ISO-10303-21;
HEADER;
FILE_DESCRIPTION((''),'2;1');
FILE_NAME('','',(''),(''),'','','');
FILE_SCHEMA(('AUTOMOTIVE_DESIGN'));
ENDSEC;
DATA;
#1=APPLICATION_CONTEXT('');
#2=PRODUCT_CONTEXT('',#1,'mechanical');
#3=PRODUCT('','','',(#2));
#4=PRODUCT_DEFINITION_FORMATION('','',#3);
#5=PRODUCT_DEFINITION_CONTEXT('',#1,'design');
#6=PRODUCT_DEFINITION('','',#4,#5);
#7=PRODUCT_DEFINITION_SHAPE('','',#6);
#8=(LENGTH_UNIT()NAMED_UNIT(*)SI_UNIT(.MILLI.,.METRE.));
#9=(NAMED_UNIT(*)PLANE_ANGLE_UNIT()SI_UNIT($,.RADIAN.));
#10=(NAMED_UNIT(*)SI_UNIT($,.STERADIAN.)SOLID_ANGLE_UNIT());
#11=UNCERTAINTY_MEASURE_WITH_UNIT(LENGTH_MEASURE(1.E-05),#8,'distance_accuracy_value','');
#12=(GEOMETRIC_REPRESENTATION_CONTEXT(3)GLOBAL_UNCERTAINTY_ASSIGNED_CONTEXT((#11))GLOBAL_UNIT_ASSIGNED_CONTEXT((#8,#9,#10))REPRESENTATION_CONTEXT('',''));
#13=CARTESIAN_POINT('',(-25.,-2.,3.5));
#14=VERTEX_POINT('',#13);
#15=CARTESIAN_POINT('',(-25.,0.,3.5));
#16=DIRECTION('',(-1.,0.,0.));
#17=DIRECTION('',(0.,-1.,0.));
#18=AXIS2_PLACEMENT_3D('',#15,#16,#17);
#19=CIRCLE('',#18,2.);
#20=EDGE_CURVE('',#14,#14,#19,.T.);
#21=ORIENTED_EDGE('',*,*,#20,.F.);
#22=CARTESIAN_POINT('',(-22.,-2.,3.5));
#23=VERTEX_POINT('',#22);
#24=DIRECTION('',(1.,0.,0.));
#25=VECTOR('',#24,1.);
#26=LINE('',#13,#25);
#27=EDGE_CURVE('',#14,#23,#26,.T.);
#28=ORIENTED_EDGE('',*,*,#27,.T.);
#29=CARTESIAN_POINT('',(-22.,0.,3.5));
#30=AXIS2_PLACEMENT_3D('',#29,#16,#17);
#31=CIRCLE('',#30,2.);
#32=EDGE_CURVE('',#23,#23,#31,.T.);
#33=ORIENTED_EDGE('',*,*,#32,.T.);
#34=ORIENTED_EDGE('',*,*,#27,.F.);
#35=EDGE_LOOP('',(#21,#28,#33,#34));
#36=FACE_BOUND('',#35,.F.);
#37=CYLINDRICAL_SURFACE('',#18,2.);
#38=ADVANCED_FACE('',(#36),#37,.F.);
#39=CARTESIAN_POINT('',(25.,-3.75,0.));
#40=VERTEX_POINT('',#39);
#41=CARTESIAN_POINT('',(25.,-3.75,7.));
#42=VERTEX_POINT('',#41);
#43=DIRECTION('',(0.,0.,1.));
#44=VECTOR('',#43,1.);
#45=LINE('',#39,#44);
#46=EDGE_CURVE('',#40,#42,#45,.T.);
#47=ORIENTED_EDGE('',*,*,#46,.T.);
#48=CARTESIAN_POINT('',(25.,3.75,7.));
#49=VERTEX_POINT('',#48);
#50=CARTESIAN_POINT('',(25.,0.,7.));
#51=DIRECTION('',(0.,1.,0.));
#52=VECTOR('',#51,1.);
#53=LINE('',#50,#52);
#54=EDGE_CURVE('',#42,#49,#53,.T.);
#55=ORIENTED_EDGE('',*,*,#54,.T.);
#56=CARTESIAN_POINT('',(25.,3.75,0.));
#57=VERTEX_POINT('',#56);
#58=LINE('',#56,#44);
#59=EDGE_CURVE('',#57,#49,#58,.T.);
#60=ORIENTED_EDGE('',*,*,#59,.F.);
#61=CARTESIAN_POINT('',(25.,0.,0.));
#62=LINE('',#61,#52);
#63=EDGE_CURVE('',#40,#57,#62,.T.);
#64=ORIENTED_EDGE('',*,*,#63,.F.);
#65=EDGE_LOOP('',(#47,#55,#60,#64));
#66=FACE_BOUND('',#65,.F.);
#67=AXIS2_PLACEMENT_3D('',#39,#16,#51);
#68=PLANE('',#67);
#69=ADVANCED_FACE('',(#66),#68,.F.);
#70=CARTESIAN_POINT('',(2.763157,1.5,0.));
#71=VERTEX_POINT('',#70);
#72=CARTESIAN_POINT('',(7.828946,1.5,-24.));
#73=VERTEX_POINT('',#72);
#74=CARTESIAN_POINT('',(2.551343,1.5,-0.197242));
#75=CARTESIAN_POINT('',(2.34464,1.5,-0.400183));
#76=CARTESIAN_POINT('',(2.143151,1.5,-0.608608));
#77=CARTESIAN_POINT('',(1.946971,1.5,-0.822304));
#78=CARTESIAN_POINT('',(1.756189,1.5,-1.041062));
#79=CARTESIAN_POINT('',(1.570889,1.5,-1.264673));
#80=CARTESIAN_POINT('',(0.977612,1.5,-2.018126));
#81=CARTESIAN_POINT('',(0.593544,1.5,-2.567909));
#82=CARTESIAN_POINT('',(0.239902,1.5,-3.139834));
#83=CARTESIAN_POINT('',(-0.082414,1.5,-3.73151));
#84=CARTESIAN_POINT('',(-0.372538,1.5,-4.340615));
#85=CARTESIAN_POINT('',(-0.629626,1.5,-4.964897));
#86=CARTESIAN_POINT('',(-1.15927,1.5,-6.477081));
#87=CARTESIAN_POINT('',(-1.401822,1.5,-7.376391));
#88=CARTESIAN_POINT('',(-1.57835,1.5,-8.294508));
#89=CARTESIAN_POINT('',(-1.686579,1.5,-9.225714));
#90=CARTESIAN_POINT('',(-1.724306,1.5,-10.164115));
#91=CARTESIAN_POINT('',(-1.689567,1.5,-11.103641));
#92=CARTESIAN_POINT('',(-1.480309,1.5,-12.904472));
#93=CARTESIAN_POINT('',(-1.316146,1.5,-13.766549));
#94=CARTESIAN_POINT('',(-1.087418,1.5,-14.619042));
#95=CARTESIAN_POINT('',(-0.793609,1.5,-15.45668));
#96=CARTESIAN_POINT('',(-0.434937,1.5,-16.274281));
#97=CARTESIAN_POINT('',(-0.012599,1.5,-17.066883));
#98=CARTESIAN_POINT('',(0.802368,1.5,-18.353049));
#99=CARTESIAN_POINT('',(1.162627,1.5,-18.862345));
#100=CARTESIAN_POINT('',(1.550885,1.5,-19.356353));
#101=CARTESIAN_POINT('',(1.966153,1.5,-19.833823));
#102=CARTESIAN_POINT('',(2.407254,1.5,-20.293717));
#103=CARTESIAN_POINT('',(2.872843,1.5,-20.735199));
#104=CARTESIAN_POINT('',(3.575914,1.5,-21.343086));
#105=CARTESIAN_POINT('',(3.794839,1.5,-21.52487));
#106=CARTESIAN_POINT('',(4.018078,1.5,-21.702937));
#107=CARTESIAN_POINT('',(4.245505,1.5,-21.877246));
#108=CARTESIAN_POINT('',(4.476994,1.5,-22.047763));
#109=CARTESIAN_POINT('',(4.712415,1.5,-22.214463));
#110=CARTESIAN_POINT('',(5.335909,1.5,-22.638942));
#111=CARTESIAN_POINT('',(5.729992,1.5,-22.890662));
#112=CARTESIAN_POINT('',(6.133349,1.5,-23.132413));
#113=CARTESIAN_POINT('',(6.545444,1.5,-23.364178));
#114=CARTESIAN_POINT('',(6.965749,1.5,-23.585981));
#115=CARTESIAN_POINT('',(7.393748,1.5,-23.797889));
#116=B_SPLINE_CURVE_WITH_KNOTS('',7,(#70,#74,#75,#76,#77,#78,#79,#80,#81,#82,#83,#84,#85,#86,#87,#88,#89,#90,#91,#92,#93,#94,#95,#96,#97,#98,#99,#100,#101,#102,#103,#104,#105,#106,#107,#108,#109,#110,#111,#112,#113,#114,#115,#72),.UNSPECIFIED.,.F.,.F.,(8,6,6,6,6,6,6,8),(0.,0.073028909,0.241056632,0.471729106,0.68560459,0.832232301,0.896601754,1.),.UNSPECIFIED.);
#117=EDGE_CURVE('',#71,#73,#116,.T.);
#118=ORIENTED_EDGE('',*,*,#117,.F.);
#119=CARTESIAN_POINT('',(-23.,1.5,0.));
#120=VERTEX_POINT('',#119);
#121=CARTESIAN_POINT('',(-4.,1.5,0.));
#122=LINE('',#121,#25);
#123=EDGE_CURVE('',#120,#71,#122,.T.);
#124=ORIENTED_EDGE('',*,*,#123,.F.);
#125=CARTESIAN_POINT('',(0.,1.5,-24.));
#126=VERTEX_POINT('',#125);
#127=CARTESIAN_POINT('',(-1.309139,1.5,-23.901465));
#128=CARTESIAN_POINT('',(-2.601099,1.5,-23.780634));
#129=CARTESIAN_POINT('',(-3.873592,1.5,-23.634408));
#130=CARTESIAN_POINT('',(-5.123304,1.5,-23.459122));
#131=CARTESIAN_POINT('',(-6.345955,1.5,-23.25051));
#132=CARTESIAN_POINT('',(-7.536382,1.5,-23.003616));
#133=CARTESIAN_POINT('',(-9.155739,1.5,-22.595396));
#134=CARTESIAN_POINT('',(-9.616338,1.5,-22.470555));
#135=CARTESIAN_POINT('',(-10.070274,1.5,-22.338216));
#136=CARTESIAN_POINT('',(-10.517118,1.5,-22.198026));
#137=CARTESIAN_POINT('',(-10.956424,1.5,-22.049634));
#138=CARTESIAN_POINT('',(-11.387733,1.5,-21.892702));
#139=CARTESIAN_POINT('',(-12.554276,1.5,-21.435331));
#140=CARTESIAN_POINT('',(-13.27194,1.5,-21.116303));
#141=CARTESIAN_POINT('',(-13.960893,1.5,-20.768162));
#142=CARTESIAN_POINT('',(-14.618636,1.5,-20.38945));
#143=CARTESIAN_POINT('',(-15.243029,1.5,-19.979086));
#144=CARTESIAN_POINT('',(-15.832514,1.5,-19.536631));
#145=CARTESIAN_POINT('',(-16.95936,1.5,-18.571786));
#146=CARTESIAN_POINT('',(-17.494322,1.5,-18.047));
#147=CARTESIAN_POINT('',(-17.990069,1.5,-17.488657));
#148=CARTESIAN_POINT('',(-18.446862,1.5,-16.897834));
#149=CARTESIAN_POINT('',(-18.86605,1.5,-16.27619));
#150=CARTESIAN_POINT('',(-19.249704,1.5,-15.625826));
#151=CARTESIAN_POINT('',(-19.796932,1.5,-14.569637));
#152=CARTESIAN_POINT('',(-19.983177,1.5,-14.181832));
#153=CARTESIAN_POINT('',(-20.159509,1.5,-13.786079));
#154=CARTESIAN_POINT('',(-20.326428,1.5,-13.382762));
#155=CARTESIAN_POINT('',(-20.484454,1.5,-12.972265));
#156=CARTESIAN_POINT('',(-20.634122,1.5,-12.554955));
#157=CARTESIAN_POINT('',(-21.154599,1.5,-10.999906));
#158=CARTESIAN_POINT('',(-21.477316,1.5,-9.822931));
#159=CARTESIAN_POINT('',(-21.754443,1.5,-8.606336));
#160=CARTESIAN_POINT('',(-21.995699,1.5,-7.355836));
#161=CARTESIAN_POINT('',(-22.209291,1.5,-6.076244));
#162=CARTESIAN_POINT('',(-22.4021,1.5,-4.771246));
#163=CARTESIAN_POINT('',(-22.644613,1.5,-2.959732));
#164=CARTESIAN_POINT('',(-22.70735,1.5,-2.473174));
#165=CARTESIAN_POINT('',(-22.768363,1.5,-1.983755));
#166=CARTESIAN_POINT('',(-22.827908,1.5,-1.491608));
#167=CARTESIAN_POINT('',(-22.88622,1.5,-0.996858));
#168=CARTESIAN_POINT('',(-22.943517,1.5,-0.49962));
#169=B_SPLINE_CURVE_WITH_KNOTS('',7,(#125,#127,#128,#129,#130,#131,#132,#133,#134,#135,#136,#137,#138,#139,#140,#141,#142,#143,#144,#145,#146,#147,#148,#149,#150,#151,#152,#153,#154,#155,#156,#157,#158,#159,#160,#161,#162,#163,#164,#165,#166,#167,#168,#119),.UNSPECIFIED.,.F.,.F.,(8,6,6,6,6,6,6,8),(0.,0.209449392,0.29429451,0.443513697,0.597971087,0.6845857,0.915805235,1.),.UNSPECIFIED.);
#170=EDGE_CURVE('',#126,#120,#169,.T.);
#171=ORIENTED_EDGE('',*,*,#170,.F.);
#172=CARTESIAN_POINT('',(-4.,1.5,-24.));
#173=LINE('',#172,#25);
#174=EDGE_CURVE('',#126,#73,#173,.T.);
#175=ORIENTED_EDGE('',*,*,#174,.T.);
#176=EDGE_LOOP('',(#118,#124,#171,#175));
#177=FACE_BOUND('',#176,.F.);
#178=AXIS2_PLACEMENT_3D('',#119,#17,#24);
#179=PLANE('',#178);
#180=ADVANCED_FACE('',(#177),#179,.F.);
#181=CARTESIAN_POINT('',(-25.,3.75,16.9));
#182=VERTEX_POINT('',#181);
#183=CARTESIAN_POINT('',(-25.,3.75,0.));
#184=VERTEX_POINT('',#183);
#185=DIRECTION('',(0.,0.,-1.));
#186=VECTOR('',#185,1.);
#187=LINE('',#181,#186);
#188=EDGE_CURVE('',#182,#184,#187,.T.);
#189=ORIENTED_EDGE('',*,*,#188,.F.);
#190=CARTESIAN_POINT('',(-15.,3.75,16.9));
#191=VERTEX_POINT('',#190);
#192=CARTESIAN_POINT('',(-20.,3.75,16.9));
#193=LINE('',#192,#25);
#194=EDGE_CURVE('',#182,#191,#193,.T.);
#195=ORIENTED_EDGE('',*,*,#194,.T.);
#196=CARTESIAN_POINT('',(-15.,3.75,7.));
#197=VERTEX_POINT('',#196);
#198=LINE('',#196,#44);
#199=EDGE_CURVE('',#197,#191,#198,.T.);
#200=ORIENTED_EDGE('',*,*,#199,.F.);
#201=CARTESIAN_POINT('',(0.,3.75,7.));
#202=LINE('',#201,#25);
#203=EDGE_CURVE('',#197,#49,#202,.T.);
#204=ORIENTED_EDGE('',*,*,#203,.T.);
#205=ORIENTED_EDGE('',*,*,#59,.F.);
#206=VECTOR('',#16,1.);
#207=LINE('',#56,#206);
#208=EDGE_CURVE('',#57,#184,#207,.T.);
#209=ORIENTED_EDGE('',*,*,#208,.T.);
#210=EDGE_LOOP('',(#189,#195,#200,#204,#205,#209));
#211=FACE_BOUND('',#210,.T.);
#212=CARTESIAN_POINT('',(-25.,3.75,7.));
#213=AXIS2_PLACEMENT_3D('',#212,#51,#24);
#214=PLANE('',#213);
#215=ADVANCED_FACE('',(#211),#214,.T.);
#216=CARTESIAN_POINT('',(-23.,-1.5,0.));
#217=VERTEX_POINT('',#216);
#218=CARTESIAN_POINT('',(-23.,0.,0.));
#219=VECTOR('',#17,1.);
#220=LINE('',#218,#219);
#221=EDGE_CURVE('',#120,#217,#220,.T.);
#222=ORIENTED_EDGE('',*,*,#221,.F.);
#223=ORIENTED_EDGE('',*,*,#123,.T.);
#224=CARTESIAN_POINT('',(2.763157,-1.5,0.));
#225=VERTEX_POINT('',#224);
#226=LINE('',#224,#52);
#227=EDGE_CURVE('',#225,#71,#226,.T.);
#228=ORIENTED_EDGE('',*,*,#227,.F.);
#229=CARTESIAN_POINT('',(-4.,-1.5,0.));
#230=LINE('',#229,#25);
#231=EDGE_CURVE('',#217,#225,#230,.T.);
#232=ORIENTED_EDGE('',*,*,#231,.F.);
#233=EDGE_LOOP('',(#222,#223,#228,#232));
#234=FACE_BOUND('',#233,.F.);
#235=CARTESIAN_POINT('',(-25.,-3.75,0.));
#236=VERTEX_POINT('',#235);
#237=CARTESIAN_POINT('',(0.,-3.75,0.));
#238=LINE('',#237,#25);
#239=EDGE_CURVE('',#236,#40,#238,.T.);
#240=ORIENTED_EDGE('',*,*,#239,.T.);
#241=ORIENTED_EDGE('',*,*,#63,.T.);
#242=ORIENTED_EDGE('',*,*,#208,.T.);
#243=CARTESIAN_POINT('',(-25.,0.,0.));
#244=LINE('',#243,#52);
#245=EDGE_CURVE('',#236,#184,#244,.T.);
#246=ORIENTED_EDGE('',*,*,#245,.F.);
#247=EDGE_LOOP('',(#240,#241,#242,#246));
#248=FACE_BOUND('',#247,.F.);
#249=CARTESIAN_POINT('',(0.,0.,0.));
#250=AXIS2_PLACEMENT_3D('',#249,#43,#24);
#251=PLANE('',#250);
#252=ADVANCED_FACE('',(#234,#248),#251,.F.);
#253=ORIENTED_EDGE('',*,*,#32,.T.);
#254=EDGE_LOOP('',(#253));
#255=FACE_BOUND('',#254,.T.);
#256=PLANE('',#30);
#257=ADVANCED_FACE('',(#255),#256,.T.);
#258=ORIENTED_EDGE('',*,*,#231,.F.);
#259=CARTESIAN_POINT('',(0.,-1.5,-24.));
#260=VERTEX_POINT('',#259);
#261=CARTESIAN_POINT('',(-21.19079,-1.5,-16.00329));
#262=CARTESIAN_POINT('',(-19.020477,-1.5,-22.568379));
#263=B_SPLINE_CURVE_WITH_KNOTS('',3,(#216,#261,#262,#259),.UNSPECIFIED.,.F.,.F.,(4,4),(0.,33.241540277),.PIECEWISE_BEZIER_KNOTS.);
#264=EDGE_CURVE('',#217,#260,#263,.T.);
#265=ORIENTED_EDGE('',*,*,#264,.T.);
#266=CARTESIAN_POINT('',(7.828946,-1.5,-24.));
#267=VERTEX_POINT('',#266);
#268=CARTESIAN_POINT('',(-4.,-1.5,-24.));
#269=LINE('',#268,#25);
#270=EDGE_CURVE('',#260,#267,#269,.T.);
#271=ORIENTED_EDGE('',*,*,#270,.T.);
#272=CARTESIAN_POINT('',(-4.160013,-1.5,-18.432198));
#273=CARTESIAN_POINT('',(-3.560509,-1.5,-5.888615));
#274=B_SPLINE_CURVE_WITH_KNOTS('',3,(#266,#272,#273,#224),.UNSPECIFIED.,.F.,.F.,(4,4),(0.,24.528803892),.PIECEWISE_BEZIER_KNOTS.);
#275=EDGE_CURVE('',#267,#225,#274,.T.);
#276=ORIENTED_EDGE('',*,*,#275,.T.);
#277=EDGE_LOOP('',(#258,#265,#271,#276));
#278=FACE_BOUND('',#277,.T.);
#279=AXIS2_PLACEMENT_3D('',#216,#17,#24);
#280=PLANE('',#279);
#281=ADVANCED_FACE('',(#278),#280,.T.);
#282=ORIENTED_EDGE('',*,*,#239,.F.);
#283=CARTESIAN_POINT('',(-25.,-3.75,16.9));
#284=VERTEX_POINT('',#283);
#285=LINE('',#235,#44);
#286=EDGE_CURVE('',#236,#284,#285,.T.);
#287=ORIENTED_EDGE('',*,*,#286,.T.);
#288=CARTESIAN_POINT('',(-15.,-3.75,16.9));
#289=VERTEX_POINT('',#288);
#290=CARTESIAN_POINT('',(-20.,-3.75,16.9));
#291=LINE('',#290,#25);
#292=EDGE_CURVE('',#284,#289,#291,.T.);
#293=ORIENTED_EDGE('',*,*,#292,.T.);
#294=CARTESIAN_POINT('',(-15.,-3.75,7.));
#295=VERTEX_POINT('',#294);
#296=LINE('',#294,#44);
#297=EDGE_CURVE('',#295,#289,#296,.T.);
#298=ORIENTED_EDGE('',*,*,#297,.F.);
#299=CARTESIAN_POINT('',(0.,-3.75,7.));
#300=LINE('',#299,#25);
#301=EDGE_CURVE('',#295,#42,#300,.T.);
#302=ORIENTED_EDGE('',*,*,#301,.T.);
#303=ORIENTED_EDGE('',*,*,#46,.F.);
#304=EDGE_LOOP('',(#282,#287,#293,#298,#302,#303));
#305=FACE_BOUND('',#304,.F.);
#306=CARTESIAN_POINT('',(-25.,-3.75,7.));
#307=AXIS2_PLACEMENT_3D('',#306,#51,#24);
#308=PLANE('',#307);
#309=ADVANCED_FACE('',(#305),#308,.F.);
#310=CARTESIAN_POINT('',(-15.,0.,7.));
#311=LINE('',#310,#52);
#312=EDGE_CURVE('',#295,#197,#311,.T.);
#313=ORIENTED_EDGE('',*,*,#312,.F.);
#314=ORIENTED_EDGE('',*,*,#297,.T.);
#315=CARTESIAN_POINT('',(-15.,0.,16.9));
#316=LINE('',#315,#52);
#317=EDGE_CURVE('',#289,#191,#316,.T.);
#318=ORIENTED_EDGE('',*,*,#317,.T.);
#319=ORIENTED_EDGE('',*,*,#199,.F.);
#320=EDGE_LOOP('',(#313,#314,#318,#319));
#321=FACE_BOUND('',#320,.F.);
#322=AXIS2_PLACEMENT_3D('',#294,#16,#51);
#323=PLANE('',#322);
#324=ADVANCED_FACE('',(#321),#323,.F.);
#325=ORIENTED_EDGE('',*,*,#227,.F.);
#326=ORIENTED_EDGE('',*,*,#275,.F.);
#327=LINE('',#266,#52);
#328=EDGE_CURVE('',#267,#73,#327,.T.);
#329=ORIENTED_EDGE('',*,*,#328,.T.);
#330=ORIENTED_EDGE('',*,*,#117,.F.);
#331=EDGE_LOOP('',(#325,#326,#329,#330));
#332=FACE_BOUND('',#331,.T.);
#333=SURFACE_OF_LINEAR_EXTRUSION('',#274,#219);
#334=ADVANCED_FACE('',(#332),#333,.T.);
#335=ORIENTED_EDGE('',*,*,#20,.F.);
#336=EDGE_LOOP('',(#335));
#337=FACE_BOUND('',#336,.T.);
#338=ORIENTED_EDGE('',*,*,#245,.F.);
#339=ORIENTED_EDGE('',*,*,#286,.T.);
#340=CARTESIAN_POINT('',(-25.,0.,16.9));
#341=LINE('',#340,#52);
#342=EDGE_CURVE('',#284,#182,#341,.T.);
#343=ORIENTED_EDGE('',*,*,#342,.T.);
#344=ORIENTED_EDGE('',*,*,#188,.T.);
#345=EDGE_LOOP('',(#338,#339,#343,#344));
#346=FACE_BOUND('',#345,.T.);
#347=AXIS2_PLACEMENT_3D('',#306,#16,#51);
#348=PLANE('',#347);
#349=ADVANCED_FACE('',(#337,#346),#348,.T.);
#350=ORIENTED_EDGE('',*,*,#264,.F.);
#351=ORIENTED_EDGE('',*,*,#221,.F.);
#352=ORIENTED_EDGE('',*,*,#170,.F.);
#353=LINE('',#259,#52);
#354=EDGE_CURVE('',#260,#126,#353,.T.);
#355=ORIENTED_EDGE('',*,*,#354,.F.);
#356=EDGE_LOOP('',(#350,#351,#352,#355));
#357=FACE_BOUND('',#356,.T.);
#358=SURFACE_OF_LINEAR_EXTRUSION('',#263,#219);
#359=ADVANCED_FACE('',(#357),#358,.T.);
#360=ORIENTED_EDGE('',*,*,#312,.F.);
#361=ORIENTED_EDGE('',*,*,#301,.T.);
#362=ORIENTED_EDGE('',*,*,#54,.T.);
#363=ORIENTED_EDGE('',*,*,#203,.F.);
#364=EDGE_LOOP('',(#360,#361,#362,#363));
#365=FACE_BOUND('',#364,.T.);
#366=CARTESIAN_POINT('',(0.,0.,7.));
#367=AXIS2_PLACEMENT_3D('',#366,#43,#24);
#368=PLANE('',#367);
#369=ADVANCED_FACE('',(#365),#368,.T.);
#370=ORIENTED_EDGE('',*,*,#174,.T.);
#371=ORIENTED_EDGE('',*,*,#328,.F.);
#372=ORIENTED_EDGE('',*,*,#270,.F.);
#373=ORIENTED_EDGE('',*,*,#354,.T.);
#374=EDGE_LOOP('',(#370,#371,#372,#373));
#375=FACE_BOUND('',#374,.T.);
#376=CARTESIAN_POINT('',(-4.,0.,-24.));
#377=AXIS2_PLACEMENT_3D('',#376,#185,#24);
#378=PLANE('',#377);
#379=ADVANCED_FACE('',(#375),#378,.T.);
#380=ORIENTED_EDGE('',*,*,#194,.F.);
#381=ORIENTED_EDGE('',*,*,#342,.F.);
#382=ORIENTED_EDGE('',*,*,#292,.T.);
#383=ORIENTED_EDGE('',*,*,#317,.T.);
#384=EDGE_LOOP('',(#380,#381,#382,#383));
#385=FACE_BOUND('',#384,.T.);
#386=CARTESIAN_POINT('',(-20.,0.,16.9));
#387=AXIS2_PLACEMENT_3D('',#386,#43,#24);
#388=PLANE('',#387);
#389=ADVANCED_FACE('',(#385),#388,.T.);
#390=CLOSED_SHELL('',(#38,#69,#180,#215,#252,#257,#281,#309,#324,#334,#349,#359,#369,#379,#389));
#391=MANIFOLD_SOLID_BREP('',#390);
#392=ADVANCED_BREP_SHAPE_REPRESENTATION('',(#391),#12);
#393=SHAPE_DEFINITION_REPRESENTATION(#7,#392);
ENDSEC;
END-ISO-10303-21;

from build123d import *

# Parameters (mm, degrees)
F0_W     = 50
F0_H     = 7.5
F1_DEPTH = 7
F2_W     = 38
F2_H     = 3
F3_DEPTH = 24
F5_DEPTH = 25
F6_R     = 2
F7_DEPTH = 3
F8_W     = 10
F8_H     = 7.5
F9_DEPTH = 9.9


with BuildPart() as f1:
    # F0 (on Top) → F1 (new body)
    with BuildSketch(Plane.XY):
        Rectangle(F0_W, F0_H)
    extrude(amount=F1_DEPTH)

    # F2 (on face) → F3 (join)
    with BuildSketch(Plane(origin=(0, 0, 0), x_dir=(1, 0, 0), z_dir=(0, 0, -1))):
        with Locations((-4, 0)):
            Rectangle(F2_W, F2_H)
    extrude(amount=F3_DEPTH)

    # F4 (on face) → F5 (cut)
    with BuildSketch(Plane.XZ.offset(1.5)):
        with BuildLine():
            add(Edge.make_bspline(
                [(-23, 0), (-21.1907899678, -16.0032901913), (-19.0204773098, -22.5683785975), (0, -24)],
                knots=[0, 0, 0, 0, 33.2415402772, 33.2415402772, 33.2415402772, 33.2415402772], degree=3))
            Line((-23, 0), (-23, -24))
            Line((-23, -24), (0, -24))
        make_face()
        with BuildLine():
            Line((15, 0), (2.7631570119, 0))
            add(Edge.make_bspline(
                [(7.8289462253, -24), (-4.1600125842, -18.4321980923), (-3.5605092999, -5.8886152692), (2.7631570119, 0)],
                knots=[0, 0, 0, 0, 24.5288038916, 24.5288038916, 24.5288038916, 24.5288038916], degree=3))
            Line((7.8289462253, -24), (15, -24))
            Line((15, -24), (15, 0))
        make_face()
    extrude(amount=-F5_DEPTH, mode=Mode.SUBTRACT)

    # F6 (on face) → F7 (cut)
    with BuildSketch(Plane(origin=(-25, 0, 0), x_dir=(0, -1, 0), z_dir=(-1, 0, 0))):
        with Locations((0, 3.5)):
            Circle(F6_R)
    extrude(amount=-F7_DEPTH, mode=Mode.SUBTRACT)

    # F8 (on face) → F9 (join)
    with BuildSketch(Plane.XY.offset(7)):
        with Locations((-20, 0)):
            Rectangle(F8_W, F8_H)
    extrude(amount=F9_DEPTH)


solid = f1.part
